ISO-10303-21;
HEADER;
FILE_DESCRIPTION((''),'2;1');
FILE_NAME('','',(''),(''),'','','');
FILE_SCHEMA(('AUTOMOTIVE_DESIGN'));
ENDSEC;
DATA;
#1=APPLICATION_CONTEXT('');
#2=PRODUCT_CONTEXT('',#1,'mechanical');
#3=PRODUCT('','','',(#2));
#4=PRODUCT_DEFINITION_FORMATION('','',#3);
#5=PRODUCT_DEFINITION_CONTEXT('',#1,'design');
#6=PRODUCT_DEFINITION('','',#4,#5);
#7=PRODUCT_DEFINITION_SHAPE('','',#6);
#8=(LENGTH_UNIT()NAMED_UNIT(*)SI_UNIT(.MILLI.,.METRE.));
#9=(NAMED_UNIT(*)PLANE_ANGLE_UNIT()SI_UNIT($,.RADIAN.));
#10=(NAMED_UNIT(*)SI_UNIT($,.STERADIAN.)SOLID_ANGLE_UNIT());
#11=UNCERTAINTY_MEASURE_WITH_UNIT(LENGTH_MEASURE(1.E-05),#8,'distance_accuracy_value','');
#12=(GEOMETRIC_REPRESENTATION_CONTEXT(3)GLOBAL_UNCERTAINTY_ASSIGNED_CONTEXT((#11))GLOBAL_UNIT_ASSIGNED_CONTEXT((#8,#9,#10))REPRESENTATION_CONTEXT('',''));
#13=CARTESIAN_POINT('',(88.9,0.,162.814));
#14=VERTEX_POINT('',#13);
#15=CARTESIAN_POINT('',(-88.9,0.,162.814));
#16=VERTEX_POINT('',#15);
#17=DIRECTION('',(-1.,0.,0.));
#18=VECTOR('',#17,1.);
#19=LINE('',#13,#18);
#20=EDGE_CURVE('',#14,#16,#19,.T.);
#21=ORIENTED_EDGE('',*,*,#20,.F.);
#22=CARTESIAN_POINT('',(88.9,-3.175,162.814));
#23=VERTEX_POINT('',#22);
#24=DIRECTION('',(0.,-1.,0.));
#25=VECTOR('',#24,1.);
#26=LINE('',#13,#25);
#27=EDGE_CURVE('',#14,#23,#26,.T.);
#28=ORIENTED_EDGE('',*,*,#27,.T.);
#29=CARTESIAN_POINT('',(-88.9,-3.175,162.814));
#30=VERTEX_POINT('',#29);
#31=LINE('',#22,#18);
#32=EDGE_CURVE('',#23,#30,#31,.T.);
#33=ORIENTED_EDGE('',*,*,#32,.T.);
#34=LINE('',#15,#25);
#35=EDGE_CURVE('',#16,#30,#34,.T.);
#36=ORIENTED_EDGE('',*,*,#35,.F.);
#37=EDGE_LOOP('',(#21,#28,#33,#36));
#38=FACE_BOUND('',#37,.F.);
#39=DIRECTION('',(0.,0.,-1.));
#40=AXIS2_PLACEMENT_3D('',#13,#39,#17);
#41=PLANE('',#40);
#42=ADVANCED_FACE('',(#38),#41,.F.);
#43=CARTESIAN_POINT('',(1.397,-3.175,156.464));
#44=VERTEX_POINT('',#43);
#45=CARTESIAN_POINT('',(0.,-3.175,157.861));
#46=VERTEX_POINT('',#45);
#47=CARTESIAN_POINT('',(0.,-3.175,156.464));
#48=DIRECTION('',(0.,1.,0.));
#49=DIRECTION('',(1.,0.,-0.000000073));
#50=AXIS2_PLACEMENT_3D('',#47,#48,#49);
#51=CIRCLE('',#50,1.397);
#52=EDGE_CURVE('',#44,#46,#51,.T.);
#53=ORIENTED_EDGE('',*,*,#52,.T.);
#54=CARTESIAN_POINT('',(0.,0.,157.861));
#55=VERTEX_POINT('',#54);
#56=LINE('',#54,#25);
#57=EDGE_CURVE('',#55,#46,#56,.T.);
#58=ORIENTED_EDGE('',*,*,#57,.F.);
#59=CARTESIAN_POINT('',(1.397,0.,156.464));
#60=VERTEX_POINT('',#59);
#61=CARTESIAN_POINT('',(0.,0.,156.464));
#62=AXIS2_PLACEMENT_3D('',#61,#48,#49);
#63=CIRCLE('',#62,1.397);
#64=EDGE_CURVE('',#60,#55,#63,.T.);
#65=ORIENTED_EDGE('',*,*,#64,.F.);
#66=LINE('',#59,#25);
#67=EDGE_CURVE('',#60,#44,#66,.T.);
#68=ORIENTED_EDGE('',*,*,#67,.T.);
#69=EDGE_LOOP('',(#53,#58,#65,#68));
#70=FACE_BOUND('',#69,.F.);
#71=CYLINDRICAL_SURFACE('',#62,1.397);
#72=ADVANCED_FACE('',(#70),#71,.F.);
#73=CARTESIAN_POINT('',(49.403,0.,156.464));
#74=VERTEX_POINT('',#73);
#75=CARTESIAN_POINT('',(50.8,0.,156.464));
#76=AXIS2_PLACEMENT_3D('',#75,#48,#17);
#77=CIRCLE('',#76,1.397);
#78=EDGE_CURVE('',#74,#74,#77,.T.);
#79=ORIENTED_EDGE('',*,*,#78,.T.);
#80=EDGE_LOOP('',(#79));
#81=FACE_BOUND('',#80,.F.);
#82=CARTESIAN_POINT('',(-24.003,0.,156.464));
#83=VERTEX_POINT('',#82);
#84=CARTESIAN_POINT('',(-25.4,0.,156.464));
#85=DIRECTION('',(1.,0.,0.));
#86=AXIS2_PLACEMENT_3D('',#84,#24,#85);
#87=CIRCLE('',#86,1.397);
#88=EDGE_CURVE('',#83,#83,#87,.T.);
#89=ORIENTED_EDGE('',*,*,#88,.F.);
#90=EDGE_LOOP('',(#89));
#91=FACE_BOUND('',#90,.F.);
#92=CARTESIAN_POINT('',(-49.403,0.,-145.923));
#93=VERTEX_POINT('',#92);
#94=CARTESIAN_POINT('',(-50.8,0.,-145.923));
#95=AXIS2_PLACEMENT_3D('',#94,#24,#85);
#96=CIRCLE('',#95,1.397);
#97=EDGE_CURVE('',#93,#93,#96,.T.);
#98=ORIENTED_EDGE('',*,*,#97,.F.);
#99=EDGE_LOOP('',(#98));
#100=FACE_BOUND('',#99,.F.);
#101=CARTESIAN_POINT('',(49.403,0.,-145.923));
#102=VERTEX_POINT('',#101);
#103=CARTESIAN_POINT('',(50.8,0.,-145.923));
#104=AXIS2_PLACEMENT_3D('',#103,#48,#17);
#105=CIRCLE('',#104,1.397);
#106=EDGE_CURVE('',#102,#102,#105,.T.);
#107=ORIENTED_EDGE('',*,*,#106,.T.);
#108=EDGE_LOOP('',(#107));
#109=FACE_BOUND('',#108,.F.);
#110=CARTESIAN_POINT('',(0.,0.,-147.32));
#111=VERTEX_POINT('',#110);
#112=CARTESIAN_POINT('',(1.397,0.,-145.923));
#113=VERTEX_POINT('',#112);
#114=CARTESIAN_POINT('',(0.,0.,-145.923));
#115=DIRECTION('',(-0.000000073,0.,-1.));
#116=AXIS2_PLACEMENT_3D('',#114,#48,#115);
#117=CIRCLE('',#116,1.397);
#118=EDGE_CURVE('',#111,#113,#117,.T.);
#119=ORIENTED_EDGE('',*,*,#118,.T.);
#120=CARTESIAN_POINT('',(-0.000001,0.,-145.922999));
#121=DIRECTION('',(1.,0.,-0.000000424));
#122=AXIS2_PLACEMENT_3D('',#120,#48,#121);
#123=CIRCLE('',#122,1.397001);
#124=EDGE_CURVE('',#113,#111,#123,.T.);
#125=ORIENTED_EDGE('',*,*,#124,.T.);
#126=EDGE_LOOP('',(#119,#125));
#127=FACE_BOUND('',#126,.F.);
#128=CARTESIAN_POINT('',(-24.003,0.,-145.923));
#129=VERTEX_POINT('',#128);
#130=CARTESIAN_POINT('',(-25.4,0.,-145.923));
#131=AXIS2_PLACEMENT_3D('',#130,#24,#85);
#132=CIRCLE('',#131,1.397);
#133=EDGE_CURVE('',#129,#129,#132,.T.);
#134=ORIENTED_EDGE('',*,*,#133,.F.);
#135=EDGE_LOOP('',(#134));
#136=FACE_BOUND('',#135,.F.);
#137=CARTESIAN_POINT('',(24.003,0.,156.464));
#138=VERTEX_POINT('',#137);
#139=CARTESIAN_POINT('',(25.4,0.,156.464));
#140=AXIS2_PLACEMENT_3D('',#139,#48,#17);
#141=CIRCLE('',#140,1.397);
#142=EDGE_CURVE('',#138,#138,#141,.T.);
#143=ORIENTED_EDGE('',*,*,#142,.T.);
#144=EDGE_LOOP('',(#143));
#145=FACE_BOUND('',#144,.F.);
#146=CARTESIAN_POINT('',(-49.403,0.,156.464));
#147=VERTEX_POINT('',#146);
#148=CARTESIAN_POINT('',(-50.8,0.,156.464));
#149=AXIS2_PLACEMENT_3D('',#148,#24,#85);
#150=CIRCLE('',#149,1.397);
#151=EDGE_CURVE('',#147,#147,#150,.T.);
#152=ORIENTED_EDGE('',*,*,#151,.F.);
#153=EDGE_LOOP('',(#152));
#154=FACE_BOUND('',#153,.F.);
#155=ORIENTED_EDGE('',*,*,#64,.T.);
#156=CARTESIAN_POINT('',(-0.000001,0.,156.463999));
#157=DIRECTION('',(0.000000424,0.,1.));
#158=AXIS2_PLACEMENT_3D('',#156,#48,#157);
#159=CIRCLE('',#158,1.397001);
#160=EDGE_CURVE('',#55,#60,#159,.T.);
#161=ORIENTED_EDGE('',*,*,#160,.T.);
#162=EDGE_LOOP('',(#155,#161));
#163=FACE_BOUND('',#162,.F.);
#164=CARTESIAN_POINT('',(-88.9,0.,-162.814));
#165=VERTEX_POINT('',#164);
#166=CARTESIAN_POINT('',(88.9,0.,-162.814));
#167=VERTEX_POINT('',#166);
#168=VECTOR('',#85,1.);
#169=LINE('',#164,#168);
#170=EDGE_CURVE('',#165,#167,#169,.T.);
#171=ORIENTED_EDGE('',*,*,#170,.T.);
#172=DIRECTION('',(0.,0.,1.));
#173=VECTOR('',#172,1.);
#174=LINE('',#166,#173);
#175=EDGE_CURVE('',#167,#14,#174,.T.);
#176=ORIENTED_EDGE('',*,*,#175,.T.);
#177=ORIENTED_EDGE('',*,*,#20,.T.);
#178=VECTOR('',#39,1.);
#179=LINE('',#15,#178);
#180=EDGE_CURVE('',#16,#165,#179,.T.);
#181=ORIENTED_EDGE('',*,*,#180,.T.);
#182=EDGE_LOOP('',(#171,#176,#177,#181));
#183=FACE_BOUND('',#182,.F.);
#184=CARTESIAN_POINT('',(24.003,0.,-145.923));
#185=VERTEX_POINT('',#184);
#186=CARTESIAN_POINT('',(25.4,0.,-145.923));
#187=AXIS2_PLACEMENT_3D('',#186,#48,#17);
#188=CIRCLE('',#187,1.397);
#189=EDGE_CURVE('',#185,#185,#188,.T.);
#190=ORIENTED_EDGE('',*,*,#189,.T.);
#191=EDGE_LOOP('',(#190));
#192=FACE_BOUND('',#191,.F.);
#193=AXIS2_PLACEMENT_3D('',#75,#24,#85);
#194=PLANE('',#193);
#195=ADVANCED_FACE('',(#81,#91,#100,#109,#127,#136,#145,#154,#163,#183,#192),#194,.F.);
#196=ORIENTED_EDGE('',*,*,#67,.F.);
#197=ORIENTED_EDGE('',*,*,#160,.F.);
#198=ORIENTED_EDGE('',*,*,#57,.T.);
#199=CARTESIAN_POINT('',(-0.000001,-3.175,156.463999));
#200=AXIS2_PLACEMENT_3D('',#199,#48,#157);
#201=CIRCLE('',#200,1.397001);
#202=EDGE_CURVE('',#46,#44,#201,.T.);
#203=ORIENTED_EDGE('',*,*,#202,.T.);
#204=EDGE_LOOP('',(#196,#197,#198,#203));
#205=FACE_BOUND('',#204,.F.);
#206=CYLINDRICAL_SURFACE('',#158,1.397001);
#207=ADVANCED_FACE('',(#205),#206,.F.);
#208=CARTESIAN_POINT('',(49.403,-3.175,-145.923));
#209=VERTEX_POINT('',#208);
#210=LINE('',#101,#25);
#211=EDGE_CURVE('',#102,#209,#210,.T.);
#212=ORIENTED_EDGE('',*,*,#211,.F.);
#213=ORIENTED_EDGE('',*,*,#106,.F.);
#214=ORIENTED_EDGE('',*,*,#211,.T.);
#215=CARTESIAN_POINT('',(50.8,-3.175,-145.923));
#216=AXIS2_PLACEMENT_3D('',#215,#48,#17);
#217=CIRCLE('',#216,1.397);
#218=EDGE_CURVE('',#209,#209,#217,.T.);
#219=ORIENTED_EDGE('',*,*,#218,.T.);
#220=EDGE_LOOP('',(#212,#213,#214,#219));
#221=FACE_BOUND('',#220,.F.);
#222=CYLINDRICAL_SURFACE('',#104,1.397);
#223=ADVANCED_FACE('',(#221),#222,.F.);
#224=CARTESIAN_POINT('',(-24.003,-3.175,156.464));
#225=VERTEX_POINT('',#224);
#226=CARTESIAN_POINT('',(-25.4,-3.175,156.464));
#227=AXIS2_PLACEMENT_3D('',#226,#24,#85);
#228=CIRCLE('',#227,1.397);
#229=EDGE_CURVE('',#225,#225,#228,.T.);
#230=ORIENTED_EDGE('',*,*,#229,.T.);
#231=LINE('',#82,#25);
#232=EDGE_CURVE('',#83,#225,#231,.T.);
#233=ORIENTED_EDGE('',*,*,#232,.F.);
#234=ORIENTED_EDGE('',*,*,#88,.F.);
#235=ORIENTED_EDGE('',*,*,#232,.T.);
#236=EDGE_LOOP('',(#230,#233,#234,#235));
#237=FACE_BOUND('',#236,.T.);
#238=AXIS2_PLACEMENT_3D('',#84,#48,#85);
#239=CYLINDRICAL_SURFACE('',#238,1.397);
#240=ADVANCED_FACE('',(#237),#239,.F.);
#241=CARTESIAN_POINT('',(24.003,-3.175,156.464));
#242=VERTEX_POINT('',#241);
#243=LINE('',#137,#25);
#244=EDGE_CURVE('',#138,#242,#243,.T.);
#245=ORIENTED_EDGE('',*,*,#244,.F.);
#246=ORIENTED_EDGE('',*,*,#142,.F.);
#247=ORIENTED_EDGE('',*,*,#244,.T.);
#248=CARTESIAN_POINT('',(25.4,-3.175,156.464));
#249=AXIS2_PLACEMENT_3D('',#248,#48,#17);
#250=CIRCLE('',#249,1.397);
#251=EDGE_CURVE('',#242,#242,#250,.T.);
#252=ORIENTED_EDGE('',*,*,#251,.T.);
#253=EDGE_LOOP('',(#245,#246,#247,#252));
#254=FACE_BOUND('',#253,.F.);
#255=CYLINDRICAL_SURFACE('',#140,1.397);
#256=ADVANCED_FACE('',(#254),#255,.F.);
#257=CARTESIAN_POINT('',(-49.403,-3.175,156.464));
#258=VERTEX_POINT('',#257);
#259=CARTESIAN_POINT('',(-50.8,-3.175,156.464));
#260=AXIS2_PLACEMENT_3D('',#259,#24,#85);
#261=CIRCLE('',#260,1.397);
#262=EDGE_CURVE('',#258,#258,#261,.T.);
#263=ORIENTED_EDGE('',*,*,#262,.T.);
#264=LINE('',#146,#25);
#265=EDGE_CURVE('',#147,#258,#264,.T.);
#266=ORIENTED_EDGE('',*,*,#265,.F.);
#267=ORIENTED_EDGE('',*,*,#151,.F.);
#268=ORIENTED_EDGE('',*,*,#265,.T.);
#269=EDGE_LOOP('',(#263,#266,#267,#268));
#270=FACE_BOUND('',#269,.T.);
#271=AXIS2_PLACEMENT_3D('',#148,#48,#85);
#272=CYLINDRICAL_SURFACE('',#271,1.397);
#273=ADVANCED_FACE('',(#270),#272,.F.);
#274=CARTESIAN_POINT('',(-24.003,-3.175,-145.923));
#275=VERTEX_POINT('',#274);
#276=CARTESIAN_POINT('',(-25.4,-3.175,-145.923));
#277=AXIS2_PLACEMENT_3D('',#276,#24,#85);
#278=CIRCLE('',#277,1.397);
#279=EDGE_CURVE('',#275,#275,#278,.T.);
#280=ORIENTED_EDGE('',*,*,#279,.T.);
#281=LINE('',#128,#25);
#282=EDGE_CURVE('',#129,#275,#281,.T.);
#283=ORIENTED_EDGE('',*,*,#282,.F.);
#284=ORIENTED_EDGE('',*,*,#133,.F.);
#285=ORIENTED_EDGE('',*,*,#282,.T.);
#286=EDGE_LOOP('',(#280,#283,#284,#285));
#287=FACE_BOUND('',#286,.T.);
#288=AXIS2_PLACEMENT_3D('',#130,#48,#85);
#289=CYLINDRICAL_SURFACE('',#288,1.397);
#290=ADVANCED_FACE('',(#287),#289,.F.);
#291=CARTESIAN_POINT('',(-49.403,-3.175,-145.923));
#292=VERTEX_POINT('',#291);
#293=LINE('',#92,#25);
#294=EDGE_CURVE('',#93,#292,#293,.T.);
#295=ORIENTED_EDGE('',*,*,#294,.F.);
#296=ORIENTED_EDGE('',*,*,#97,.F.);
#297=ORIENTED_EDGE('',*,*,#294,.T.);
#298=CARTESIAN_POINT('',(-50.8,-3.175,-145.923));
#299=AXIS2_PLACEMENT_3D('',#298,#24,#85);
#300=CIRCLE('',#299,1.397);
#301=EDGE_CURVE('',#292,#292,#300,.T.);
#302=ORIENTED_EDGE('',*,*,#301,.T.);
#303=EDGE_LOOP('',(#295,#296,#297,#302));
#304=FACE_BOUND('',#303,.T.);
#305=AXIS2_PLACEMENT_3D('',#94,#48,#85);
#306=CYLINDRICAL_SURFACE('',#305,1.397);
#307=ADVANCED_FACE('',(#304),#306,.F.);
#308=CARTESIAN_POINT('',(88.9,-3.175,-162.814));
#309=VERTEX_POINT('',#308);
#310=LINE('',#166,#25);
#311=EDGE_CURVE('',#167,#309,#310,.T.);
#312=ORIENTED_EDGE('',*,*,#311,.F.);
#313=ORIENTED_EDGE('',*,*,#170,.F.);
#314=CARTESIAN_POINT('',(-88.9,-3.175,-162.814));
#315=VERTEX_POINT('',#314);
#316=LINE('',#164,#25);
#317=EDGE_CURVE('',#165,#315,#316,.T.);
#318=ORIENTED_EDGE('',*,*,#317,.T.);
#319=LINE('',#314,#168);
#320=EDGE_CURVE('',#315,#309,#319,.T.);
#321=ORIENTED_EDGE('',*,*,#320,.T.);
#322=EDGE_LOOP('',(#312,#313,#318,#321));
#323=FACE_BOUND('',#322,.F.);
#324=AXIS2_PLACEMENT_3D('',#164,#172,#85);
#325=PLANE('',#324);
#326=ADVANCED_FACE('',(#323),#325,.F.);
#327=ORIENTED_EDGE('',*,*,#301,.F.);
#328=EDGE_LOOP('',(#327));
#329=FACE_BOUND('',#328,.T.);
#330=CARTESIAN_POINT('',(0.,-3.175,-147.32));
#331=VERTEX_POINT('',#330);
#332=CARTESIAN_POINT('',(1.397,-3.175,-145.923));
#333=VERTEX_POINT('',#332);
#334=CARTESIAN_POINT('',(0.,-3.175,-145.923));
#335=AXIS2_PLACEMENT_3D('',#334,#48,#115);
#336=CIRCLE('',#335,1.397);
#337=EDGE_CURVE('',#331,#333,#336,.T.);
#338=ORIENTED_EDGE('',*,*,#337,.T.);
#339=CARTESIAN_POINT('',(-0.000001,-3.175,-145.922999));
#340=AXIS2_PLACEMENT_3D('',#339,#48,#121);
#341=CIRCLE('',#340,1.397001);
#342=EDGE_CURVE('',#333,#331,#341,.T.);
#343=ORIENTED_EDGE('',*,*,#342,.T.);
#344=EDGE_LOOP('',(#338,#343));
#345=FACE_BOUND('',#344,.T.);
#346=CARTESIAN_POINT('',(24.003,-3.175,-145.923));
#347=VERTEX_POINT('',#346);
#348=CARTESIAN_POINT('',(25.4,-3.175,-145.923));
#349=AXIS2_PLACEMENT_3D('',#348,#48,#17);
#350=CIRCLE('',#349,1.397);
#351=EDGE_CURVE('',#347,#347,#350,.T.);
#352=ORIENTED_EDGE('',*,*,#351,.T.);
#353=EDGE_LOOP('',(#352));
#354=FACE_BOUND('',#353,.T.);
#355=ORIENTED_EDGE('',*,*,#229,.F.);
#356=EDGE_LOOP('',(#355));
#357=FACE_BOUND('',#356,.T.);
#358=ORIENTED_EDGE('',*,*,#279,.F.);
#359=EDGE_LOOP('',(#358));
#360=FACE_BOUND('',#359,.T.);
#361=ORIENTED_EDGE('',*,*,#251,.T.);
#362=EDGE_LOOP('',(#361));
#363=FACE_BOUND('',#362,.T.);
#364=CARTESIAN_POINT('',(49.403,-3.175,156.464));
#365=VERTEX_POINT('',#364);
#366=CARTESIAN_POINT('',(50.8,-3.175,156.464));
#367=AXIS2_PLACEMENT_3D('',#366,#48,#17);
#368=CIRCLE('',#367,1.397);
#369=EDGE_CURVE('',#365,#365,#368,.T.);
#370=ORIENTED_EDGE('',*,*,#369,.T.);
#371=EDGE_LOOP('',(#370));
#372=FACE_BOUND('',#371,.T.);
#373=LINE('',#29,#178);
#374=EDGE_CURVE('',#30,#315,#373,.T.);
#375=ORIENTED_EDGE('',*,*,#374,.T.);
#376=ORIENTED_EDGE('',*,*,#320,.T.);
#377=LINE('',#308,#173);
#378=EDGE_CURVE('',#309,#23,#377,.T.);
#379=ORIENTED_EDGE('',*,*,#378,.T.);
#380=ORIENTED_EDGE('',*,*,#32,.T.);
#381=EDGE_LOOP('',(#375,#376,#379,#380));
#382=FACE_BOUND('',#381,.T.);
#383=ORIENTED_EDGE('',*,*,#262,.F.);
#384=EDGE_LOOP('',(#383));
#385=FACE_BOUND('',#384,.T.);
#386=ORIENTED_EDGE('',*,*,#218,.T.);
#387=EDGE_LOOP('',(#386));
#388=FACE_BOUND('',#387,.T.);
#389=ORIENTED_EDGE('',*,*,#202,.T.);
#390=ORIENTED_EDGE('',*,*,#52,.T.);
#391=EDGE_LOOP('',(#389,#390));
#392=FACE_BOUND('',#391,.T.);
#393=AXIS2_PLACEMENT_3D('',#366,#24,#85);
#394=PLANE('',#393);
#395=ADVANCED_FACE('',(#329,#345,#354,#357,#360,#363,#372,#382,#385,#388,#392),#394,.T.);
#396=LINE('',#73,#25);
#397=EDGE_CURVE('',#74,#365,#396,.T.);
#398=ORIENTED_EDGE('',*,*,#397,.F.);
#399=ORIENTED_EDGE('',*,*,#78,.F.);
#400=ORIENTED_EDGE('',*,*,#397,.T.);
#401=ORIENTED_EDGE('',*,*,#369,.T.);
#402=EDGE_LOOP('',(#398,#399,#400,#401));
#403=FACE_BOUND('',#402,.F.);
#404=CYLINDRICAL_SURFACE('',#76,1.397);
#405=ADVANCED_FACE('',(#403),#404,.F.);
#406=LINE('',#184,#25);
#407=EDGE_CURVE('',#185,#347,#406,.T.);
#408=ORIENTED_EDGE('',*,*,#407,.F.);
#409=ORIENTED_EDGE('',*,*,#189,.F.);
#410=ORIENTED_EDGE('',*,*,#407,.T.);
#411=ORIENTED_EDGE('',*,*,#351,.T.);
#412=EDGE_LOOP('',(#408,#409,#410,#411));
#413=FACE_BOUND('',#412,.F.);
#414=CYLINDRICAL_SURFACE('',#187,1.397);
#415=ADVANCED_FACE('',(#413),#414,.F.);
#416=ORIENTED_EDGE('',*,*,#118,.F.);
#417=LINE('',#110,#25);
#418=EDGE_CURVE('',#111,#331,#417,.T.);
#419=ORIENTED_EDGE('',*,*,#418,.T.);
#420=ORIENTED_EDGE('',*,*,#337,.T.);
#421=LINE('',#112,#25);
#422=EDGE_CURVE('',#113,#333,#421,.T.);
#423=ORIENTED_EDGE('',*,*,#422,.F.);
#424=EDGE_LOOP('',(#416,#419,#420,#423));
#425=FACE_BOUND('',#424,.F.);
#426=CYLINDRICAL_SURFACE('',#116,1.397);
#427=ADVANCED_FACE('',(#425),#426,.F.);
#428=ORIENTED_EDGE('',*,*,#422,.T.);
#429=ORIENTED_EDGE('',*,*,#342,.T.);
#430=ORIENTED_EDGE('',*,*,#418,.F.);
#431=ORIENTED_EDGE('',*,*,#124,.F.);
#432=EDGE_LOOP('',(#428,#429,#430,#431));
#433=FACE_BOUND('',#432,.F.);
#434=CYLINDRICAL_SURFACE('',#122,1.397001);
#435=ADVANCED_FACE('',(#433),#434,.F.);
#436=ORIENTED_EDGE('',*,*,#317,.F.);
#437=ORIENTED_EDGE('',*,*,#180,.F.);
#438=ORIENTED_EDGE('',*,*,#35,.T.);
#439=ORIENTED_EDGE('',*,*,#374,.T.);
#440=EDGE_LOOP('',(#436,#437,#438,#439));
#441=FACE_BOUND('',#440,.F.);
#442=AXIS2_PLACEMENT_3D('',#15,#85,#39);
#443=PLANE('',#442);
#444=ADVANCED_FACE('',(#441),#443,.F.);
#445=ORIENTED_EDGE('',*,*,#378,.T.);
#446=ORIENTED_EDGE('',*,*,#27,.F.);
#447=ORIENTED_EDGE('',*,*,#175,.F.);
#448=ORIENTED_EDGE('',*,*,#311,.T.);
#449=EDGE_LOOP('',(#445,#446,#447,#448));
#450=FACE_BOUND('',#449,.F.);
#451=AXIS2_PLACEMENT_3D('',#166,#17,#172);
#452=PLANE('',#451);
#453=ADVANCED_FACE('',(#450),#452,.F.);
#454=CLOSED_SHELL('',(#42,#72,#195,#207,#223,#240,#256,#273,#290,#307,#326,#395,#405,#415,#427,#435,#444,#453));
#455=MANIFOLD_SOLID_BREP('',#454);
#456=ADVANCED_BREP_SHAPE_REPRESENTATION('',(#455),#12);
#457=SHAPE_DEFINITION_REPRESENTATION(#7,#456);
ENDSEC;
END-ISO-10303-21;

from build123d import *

# Parameters (mm, degrees)
F0_R     = 1.397
F1_DEPTH = 3.175


with BuildPart() as f1:
    # F0 (on Front) → F1 (new body)
    with BuildSketch(Plane.XZ):
        with BuildLine():
            ThreePointArc((52.197, 156.464), (50.8, 157.861), (49.403, 156.464))
            ThreePointArc((49.403, 156.464), (50.8, 155.067), (52.197, 156.464))
        make_face()
        with BuildLine():
            ThreePointArc((52.197, -145.923), (50.8, -144.526), (49.403, -145.923))
            ThreePointArc((49.403, -145.923), (50.8, -147.32), (52.197, -145.923))
        make_face()
        Polygon((88.9, -162.814), (88.9, 162.814), (0, 162.814), (-88.9, 162.814), (-88.9, -162.814), (0, -162.814), align=None)
        with Locations((-50.8, -145.923)):
            Circle(F0_R, mode=Mode.SUBTRACT)
        with Locations((-25.4, -145.923)):
            Circle(F0_R, mode=Mode.SUBTRACT)
        with BuildLine():
            ThreePointArc((1.397, -145.923), (0.987828, -146.910828), (0, -147.32))
            ThreePointArc((0, -147.32), (-0.987828, -144.935172), (1.397, -145.923))
        make_face(mode=Mode.SUBTRACT)
        with BuildLine():
            ThreePointArc((26.797, -145.923), (25.4, -147.32), (24.003, -145.923))
            ThreePointArc((24.003, -145.923), (25.4, -144.526), (26.797, -145.923))
        make_face(mode=Mode.SUBTRACT)
        with BuildLine():
            ThreePointArc((52.197, -145.923), (50.8, -147.32), (49.403, -145.923))
            ThreePointArc((49.403, -145.923), (50.8, -144.526), (52.197, -145.923))
        make_face(mode=Mode.SUBTRACT)
        with Locations((-50.8, 156.464)):
            Circle(F0_R, mode=Mode.SUBTRACT)
        with Locations((-25.4, 156.464)):
            Circle(F0_R, mode=Mode.SUBTRACT)
        with BuildLine():
            ThreePointArc((1.397, 156.464), (-0.987828, 155.476172), (0, 157.861))
            ThreePointArc((0, 157.861), (0.987828, 157.451828), (1.397, 156.464))
        make_face(mode=Mode.SUBTRACT)
        with BuildLine():
            ThreePointArc((26.797, 156.464), (25.4, 155.067), (24.003, 156.464))
            ThreePointArc((24.003, 156.464), (25.4, 157.861), (26.797, 156.464))
        make_face(mode=Mode.SUBTRACT)
        with BuildLine():
            ThreePointArc((52.197, 156.464), (50.8, 155.067), (49.403, 156.464))
            ThreePointArc((49.403, 156.464), (50.8, 157.861), (52.197, 156.464))
        make_face(mode=Mode.SUBTRACT)
    extrude(amount=F1_DEPTH)


solid = f1.part
